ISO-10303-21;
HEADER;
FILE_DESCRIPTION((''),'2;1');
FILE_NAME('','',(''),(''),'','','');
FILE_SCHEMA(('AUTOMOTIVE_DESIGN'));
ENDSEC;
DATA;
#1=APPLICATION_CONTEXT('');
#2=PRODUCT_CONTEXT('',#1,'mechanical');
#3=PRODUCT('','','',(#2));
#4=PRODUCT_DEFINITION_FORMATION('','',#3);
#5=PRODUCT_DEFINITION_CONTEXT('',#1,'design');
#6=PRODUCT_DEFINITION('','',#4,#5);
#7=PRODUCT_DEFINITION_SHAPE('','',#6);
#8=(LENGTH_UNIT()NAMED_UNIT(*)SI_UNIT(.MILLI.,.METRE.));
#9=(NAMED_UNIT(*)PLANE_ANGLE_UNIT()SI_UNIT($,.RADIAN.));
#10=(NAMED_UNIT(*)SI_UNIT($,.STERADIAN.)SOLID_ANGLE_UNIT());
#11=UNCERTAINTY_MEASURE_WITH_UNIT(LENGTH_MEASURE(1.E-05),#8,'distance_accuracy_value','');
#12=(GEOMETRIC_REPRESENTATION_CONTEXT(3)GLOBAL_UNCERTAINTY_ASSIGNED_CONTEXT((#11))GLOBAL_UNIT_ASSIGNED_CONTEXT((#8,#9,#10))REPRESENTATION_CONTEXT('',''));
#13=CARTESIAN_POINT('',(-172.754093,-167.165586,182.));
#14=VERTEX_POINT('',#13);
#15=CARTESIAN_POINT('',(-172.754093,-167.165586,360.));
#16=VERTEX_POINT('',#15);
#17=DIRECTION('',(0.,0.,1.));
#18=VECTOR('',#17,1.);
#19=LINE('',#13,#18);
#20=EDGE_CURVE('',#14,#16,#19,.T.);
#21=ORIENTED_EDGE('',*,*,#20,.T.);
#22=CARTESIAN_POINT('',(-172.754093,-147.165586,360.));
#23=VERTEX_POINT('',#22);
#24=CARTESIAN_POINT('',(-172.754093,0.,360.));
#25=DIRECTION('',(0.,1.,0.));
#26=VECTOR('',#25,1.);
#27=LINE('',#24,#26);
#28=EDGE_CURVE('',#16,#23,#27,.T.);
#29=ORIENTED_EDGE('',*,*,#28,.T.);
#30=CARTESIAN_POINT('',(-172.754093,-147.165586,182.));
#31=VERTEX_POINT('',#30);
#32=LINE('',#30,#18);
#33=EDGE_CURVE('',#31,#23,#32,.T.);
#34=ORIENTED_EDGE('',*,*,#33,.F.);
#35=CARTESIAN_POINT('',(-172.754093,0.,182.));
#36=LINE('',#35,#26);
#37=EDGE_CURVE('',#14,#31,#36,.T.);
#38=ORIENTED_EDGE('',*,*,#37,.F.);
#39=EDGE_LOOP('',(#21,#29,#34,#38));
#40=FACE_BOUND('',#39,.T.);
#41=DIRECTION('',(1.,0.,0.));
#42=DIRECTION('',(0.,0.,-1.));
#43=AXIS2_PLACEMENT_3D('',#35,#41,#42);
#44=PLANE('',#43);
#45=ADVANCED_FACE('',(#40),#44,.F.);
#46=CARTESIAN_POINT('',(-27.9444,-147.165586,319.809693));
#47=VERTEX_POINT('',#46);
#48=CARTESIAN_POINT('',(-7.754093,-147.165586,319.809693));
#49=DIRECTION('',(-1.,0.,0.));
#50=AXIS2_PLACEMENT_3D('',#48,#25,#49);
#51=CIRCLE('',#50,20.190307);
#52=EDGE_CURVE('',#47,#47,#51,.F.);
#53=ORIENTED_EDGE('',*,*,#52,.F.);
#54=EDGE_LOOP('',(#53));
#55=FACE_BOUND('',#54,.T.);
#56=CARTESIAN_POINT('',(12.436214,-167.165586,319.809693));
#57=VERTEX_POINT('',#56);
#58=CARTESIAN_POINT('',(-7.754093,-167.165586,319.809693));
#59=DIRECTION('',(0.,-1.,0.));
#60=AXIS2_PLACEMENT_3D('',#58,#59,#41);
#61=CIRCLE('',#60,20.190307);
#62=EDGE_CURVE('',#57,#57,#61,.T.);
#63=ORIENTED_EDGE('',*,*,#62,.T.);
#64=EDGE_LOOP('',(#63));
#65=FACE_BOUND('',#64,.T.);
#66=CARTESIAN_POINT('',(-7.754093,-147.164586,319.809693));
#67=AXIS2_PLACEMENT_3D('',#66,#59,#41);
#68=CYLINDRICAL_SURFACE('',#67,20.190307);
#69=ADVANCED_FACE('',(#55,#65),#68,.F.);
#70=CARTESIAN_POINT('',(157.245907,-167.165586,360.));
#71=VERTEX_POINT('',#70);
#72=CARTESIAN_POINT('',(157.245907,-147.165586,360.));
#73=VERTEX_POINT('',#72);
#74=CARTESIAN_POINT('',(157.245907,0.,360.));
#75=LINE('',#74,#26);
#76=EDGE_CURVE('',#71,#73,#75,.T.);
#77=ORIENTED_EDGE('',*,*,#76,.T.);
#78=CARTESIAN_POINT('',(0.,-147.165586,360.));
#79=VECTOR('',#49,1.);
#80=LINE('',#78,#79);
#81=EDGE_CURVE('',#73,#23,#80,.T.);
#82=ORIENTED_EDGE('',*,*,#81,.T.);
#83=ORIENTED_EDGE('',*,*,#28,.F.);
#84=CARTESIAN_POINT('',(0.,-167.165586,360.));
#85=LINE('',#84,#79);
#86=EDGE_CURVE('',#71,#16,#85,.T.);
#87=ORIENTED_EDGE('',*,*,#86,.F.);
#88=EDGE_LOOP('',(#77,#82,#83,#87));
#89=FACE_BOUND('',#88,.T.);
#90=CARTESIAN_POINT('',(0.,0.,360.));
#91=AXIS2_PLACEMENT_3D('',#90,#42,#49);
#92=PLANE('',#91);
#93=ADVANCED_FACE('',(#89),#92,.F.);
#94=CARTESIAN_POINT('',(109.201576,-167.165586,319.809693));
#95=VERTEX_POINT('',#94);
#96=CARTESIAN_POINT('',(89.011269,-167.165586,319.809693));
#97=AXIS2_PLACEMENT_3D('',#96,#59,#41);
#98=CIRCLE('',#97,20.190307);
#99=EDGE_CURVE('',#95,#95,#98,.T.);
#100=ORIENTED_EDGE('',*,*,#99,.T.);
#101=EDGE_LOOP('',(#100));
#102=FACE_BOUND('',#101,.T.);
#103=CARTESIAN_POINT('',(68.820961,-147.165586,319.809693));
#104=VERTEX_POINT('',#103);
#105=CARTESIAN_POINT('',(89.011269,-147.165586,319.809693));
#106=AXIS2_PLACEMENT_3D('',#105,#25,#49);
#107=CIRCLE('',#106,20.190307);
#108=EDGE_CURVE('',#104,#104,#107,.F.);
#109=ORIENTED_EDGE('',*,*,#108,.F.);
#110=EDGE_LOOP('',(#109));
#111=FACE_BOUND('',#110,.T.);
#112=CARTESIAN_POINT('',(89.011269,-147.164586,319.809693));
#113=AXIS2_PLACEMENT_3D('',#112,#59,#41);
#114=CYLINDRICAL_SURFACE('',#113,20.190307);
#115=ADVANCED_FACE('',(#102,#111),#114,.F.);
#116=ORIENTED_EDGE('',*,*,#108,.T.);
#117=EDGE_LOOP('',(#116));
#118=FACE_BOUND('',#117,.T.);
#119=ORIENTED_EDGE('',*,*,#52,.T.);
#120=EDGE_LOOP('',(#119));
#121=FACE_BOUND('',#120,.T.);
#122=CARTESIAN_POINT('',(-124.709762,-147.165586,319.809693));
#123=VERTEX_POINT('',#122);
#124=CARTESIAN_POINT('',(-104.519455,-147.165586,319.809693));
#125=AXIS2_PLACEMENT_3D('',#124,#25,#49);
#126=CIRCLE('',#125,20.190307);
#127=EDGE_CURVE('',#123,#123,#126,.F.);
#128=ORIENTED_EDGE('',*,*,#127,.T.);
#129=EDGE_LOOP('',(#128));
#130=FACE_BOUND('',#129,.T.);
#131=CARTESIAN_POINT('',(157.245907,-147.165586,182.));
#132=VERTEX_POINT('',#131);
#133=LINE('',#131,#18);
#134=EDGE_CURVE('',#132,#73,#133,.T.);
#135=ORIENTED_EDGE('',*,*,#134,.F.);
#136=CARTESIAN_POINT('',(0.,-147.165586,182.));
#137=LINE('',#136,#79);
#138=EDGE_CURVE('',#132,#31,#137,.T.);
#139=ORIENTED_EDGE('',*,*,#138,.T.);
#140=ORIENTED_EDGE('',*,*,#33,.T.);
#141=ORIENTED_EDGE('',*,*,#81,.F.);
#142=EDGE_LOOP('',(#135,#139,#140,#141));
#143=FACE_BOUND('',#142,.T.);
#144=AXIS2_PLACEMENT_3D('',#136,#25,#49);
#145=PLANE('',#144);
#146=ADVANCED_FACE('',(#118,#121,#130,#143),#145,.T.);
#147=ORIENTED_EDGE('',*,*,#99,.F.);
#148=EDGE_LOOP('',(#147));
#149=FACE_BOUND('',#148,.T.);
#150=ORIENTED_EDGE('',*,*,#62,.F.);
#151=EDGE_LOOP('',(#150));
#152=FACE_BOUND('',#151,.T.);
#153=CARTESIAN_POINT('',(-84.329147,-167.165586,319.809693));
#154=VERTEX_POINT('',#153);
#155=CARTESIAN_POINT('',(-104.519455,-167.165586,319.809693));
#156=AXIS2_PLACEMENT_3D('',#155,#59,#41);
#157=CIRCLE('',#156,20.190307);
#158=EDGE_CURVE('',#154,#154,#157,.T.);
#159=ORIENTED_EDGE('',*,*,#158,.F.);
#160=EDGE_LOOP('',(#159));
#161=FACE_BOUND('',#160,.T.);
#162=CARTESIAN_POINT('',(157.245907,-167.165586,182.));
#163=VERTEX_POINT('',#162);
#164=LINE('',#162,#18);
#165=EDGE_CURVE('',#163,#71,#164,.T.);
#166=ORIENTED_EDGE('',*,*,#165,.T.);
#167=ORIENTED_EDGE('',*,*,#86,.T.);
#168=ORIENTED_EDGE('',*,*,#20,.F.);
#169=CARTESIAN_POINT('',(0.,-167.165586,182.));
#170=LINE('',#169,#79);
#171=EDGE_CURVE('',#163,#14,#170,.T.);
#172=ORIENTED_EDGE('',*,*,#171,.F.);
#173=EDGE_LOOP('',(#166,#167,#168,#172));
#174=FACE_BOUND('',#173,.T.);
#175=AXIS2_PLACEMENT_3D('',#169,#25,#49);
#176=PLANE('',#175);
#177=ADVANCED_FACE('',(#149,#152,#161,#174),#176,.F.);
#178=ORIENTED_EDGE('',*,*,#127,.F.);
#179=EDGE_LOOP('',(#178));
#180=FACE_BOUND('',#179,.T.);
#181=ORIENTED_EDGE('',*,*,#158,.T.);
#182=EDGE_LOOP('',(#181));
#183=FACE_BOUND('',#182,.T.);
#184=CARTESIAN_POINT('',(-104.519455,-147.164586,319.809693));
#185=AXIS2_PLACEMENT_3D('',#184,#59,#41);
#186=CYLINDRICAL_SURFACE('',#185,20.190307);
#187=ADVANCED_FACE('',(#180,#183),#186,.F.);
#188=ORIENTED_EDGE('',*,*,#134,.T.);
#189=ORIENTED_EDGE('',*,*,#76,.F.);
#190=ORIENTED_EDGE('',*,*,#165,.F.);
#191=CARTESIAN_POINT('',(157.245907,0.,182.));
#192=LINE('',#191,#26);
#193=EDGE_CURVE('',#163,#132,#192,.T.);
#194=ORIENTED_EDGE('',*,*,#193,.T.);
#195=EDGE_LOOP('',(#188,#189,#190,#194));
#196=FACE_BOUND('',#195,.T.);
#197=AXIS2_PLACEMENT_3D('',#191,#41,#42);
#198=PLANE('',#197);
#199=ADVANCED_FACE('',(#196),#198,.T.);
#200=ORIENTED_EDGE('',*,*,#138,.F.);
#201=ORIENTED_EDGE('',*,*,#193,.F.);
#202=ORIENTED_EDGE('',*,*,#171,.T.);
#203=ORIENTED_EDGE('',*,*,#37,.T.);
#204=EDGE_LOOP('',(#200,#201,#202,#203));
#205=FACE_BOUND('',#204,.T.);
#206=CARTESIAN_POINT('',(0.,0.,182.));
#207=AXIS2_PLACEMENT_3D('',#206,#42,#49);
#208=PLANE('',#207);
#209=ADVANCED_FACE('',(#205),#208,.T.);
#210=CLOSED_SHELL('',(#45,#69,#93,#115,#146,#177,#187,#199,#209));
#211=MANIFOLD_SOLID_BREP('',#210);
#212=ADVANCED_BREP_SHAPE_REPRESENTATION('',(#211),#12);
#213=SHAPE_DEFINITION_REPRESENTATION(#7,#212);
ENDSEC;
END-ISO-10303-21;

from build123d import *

# Parameters (mm, degrees)
CROQUIS1_W              = 165
CROQUIS1_H              = 20
SALIENTE_EXTRUIR1_DEPTH = 178
CORTAR_EXTRUIR1_REACH   = 401.805
CROQUIS2_R              = 20.190307202


with BuildPart() as part:
    # Croquis1 → Saliente-Extruir1 (new body)
    with BuildSketch(Plane(origin=(0, 0, 360), x_dir=(-1, 0, 0), z_dir=(0, 0, -1))):
        with Locations((-74.745907017, -157.165586138)):
            Rectangle(CROQUIS1_W, CROQUIS1_H)
        with Locations((90.254092983, -157.165586138)):
            Rectangle(CROQUIS1_W, CROQUIS1_H)
    extrude(amount=SALIENTE_EXTRUIR1_DEPTH)

    # Croquis2 → Cortar-Extruir1 (cut, up to next)
    with BuildSketch(Plane.XZ.offset(167.165586138), mode=Mode.PRIVATE) as cortar_extruir1_sk1:
        with Locations((-104.519454625, 319.809692798)):
            Circle(CROQUIS2_R)
    cortar_extruir1_tool1 = extrude(cortar_extruir1_sk1.sketch, amount=-CORTAR_EXTRUIR1_REACH, mode=Mode.PRIVATE) & part.part
    # Croquis2 → Cortar-Extruir1 (cut, up to next)
    with BuildSketch(Plane.XZ.offset(167.165586138), mode=Mode.PRIVATE) as cortar_extruir1_sk2:
        with Locations((-7.754092983, 319.809692798)):
            Circle(CROQUIS2_R)
    cortar_extruir1_tool2 = extrude(cortar_extruir1_sk2.sketch, amount=-CORTAR_EXTRUIR1_REACH, mode=Mode.PRIVATE) & part.part
    # Croquis2 → Cortar-Extruir1 (cut, up to next)
    with BuildSketch(Plane.XZ.offset(167.165586138), mode=Mode.PRIVATE) as cortar_extruir1_sk3:
        with Locations((89.011268658, 319.809692798)):
            Circle(CROQUIS2_R)
    cortar_extruir1_tool3 = extrude(cortar_extruir1_sk3.sketch, amount=-CORTAR_EXTRUIR1_REACH, mode=Mode.PRIVATE) & part.part
    add(cortar_extruir1_tool1.solids().sort_by_distance((-104.519455, -167.165586, 319.809693))[0], mode=Mode.SUBTRACT)
    add(cortar_extruir1_tool2.solids().sort_by_distance((-7.754093, -167.165586, 319.809693))[0], mode=Mode.SUBTRACT)
    add(cortar_extruir1_tool3.solids().sort_by_distance((89.011269, -167.165586, 319.809693))[0], mode=Mode.SUBTRACT)


solid = part.part
